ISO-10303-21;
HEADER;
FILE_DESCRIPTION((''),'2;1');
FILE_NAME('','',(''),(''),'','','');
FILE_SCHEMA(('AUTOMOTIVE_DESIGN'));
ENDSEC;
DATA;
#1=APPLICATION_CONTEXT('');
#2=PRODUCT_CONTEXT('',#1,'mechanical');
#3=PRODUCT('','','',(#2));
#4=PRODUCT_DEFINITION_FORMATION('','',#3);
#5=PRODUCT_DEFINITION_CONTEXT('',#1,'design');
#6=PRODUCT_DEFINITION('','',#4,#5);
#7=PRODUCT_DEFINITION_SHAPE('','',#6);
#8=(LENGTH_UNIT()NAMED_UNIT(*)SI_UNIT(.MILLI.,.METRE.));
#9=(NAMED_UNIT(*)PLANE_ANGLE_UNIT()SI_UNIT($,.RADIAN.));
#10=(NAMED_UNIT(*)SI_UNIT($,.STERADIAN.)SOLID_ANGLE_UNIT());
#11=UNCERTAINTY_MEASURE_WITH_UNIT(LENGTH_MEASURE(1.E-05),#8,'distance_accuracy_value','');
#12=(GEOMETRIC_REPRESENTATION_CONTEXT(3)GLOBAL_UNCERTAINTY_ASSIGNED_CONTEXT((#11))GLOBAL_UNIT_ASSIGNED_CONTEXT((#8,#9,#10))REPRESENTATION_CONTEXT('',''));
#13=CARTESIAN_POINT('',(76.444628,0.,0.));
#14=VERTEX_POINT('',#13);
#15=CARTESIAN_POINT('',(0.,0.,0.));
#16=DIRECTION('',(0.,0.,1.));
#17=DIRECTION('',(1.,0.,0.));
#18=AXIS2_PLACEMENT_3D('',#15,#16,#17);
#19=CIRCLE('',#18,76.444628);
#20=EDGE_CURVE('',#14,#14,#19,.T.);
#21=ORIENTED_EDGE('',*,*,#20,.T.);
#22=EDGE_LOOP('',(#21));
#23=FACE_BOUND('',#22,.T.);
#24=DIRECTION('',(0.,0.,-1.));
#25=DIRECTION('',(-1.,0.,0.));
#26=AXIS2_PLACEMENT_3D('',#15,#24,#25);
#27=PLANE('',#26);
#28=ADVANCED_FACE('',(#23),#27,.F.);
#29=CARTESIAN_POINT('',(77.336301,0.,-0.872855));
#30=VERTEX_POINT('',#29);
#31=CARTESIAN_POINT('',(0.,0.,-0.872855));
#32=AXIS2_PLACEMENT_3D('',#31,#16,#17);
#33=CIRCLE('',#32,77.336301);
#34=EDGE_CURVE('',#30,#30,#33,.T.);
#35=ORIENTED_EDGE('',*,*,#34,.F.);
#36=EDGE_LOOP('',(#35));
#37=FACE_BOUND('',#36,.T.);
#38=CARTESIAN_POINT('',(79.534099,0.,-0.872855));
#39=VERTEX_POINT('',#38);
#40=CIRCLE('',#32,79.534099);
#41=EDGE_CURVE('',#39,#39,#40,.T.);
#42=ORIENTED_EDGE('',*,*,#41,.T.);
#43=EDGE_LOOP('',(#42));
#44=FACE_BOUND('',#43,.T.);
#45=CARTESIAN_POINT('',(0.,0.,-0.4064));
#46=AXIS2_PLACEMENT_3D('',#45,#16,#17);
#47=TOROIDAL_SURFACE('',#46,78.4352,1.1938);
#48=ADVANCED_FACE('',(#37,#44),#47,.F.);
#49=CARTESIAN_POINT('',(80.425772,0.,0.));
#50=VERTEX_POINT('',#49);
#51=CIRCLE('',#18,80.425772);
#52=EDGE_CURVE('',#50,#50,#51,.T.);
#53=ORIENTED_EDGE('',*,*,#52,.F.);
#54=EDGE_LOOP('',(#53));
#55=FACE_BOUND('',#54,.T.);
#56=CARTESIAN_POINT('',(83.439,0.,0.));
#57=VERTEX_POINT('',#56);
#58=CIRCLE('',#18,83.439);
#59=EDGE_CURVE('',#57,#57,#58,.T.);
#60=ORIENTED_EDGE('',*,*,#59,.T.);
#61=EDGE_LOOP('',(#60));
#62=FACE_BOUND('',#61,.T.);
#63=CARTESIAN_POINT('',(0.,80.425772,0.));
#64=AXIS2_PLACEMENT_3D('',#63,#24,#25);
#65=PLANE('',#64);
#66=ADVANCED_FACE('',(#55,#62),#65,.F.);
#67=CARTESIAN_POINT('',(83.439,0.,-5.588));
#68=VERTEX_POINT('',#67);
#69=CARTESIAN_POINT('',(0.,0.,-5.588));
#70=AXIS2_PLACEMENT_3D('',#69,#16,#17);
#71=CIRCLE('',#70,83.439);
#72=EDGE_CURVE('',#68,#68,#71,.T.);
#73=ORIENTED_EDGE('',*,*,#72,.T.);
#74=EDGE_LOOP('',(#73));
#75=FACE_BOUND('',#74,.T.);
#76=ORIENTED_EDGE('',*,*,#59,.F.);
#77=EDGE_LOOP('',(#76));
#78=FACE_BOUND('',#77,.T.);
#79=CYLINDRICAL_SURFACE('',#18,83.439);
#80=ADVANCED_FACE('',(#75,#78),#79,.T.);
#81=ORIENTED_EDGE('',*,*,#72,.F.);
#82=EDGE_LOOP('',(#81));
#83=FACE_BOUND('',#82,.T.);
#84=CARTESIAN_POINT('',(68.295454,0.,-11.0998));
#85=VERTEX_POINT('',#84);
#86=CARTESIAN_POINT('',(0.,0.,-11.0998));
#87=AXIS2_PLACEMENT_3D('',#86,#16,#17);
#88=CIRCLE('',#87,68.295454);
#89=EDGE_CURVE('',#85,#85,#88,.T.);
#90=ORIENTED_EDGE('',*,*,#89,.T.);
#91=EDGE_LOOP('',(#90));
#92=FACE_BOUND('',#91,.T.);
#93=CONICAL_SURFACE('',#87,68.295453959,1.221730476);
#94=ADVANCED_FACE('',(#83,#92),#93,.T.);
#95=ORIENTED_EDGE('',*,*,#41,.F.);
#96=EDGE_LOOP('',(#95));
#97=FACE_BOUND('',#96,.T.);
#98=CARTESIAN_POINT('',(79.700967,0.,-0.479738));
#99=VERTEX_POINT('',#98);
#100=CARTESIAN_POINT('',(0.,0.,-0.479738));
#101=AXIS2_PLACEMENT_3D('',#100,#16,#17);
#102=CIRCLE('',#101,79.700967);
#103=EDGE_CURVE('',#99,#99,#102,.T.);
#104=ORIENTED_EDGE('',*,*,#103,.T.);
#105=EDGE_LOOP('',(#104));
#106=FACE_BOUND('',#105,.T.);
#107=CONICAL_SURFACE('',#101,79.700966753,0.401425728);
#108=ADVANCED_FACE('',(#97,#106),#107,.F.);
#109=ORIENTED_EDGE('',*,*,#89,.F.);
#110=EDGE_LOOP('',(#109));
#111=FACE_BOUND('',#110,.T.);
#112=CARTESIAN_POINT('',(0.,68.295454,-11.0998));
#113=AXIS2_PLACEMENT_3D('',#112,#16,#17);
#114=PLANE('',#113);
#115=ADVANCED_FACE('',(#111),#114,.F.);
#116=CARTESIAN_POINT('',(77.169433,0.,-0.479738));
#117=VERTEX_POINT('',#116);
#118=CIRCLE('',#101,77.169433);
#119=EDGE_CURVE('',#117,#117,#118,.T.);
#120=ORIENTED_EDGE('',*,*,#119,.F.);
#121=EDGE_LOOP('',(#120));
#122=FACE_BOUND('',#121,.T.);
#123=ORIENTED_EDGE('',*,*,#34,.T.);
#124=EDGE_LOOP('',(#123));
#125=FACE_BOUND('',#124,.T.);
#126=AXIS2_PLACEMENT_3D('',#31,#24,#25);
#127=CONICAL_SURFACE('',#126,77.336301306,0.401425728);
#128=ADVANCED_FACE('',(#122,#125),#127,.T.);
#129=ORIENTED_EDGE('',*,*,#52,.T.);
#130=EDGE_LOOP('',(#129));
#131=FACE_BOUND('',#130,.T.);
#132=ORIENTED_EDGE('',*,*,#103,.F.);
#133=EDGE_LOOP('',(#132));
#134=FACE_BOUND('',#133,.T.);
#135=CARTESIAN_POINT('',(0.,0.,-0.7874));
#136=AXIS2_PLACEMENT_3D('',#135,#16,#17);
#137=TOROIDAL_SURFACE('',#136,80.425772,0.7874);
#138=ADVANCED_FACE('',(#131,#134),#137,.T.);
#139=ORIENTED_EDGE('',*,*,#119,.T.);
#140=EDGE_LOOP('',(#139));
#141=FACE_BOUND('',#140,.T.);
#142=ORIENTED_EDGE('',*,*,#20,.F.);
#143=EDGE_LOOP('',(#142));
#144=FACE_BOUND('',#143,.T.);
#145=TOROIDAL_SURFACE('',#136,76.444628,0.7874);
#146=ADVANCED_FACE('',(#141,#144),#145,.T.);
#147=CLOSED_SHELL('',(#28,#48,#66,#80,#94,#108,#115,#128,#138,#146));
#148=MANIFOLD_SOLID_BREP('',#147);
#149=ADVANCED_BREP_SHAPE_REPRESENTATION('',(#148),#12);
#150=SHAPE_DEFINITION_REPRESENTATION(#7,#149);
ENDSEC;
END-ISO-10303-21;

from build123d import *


with BuildPart() as part:
    # Sketch1 → Revolve1 (revolve)
    with BuildSketch(Plane(origin=(0, 0, 0), x_dir=(0, 0, -1), z_dir=(1, 0, 0)), mode=Mode.PRIVATE) as revolve1_sk:
        with BuildLine():
            Line((0, 0), (0, 76.444627725))
            ThreePointArc((0, 76.444627725), (0.130798304, 76.879222907), (0.479738309, 77.169433247))
            Line((0.479738309, 77.169433247), (0.872854821, 77.336301306))
            ThreePointArc((0.872854821, 77.336301306), (1.6002, 78.4352), (0.872854821, 79.534098694))
            Line((0.872854821, 79.534098694), (0.479738309, 79.700966753))
            ThreePointArc((0.479738309, 79.700966753), (0.130798304, 79.991177093), (0, 80.425772275))
            Line((0, 80.425772275), (0, 83.439))
            Line((0, 83.439), (5.588, 83.439))
            Line((5.588, 83.439), (11.0998, 68.295453959))
            Line((11.0998, 68.295453959), (11.0998, 0))
            Line((11.0998, 0), (0, 0))
        make_face()
    revolve(revolve1_sk.sketch.rotate(Axis((0, 0, 0), (0, 0, -1)), 90), axis=Axis((0, 0, 0), (0, 0, -1)))


solid = part.part
